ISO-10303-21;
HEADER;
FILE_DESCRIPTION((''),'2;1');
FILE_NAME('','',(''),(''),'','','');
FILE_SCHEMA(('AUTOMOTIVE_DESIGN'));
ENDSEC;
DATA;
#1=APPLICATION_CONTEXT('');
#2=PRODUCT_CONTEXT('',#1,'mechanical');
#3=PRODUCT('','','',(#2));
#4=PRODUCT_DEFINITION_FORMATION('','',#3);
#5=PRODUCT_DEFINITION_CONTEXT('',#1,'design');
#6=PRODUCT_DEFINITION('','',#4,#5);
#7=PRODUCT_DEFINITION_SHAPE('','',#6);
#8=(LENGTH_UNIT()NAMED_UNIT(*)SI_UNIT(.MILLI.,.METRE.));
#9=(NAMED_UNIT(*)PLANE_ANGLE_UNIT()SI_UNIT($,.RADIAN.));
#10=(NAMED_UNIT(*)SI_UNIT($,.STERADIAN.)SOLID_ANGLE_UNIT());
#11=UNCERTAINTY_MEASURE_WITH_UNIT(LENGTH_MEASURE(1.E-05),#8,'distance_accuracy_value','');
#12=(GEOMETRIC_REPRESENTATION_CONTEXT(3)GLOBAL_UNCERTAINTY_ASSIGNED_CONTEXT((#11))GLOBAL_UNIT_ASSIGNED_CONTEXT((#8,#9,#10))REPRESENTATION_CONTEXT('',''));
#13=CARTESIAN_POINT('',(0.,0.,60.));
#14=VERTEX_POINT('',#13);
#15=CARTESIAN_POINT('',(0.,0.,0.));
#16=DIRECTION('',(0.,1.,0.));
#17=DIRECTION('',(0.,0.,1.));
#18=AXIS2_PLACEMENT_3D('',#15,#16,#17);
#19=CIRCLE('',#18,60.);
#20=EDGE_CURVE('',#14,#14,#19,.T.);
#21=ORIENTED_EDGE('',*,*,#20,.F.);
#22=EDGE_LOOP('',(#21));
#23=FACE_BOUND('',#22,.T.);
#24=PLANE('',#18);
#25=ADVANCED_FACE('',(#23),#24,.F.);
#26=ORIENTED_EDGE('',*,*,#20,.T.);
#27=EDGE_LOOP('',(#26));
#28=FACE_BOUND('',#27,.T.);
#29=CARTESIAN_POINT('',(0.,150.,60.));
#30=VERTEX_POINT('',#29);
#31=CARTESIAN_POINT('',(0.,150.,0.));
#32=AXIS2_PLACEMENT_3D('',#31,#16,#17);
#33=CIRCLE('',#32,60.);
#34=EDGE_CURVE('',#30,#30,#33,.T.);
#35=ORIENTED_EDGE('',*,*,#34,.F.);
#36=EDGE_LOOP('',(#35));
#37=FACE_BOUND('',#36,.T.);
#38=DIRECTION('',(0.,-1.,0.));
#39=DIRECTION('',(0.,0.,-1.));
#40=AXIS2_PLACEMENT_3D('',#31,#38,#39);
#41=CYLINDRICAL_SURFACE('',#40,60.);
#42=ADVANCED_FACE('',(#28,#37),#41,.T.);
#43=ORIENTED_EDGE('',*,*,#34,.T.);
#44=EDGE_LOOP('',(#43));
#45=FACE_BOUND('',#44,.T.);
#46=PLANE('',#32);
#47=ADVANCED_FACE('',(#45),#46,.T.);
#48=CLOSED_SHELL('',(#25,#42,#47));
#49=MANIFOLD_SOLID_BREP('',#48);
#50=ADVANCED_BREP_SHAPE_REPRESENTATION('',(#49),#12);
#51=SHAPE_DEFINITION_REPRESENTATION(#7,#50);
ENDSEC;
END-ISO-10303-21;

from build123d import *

# Parameters (mm, degrees)
SKETCH1_R           = 60
BOSS_EXTRUDE1_DEPTH = 150


with BuildPart() as part:
    # Sketch1 → Boss-Extrude1 (new body)
    with BuildSketch(Plane(origin=(0, 0, 0), x_dir=(1, 0, 0), z_dir=(0, 1, 0))):
        with Locations(Location((0, 0, 0), (0, 0, 270))):
            Circle(SKETCH1_R)
    extrude(amount=BOSS_EXTRUDE1_DEPTH)


solid = part.part
